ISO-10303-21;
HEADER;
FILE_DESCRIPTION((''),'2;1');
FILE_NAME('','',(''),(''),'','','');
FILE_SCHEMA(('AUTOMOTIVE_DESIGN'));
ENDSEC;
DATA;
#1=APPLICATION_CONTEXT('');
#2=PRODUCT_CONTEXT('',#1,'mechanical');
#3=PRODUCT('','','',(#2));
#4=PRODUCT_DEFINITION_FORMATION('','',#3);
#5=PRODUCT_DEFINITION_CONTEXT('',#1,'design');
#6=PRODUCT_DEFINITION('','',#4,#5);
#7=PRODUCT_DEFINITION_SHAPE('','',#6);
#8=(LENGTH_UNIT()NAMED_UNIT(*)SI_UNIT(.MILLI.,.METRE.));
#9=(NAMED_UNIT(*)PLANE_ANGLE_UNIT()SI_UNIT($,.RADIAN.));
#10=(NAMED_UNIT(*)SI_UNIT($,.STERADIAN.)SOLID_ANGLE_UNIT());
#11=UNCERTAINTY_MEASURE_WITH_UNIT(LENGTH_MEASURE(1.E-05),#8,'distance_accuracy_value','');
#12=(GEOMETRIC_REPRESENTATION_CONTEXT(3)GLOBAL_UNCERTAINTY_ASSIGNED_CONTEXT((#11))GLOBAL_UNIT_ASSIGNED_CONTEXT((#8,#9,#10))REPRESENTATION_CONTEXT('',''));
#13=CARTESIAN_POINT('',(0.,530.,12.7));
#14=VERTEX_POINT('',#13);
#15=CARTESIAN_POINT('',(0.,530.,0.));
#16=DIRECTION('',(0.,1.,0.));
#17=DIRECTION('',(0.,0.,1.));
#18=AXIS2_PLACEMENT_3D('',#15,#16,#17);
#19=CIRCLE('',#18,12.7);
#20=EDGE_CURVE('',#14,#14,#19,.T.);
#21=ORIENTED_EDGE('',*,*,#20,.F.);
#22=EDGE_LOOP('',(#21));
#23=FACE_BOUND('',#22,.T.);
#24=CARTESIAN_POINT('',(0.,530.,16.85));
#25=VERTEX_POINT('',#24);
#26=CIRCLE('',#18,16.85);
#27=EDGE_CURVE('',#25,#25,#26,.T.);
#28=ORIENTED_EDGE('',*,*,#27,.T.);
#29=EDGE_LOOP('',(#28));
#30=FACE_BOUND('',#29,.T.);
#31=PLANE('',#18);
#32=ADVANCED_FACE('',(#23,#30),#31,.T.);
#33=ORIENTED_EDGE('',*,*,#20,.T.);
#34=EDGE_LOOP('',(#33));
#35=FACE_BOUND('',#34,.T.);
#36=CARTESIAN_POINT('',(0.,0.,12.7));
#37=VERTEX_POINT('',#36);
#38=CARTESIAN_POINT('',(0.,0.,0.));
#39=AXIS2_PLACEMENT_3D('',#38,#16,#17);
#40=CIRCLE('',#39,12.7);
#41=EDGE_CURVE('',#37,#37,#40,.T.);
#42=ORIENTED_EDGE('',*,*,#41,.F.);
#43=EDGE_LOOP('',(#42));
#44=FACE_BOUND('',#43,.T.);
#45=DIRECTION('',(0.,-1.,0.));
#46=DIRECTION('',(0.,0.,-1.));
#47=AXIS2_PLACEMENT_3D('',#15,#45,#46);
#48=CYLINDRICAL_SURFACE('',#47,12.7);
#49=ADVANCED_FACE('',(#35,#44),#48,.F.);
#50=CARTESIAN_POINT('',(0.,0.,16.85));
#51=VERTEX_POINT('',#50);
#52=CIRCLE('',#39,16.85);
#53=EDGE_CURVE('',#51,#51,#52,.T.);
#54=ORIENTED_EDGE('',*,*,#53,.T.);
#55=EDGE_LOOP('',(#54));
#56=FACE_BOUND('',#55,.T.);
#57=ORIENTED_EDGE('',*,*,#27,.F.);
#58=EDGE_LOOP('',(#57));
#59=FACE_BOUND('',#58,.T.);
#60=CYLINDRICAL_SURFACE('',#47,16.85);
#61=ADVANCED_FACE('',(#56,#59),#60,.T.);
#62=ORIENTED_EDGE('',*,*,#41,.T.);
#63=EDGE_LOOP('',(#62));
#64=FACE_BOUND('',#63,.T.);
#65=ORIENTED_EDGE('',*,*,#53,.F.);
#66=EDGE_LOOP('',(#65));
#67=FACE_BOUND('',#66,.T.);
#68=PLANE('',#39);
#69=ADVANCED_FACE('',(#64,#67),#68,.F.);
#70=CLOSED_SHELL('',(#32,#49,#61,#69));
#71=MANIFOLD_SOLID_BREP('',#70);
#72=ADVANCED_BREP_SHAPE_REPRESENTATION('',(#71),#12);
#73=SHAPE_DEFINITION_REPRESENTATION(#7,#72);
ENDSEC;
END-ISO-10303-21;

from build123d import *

# Parameters (mm, degrees)
SZKIC1_R                    = 16.85
SZKIC1_R_2                  = 12.7
DODANIE_WYCI_GNI_CIE1_DEPTH = 530


with BuildPart() as part:
    # Szkic1 → Dodanie-wyciągnięcie1 (new body)
    with BuildSketch(Plane(origin=(0, 0, 0), x_dir=(1, 0, 0), z_dir=(0, 1, 0))):
        with Locations(Location((0, 0, 0), (0, 0, 270))):
            Circle(SZKIC1_R)
        with Locations(Location((0, 0, 0), (0, 0, 270))):
            Circle(SZKIC1_R_2, mode=Mode.SUBTRACT)
    extrude(amount=DODANIE_WYCI_GNI_CIE1_DEPTH)


solid = part.part
